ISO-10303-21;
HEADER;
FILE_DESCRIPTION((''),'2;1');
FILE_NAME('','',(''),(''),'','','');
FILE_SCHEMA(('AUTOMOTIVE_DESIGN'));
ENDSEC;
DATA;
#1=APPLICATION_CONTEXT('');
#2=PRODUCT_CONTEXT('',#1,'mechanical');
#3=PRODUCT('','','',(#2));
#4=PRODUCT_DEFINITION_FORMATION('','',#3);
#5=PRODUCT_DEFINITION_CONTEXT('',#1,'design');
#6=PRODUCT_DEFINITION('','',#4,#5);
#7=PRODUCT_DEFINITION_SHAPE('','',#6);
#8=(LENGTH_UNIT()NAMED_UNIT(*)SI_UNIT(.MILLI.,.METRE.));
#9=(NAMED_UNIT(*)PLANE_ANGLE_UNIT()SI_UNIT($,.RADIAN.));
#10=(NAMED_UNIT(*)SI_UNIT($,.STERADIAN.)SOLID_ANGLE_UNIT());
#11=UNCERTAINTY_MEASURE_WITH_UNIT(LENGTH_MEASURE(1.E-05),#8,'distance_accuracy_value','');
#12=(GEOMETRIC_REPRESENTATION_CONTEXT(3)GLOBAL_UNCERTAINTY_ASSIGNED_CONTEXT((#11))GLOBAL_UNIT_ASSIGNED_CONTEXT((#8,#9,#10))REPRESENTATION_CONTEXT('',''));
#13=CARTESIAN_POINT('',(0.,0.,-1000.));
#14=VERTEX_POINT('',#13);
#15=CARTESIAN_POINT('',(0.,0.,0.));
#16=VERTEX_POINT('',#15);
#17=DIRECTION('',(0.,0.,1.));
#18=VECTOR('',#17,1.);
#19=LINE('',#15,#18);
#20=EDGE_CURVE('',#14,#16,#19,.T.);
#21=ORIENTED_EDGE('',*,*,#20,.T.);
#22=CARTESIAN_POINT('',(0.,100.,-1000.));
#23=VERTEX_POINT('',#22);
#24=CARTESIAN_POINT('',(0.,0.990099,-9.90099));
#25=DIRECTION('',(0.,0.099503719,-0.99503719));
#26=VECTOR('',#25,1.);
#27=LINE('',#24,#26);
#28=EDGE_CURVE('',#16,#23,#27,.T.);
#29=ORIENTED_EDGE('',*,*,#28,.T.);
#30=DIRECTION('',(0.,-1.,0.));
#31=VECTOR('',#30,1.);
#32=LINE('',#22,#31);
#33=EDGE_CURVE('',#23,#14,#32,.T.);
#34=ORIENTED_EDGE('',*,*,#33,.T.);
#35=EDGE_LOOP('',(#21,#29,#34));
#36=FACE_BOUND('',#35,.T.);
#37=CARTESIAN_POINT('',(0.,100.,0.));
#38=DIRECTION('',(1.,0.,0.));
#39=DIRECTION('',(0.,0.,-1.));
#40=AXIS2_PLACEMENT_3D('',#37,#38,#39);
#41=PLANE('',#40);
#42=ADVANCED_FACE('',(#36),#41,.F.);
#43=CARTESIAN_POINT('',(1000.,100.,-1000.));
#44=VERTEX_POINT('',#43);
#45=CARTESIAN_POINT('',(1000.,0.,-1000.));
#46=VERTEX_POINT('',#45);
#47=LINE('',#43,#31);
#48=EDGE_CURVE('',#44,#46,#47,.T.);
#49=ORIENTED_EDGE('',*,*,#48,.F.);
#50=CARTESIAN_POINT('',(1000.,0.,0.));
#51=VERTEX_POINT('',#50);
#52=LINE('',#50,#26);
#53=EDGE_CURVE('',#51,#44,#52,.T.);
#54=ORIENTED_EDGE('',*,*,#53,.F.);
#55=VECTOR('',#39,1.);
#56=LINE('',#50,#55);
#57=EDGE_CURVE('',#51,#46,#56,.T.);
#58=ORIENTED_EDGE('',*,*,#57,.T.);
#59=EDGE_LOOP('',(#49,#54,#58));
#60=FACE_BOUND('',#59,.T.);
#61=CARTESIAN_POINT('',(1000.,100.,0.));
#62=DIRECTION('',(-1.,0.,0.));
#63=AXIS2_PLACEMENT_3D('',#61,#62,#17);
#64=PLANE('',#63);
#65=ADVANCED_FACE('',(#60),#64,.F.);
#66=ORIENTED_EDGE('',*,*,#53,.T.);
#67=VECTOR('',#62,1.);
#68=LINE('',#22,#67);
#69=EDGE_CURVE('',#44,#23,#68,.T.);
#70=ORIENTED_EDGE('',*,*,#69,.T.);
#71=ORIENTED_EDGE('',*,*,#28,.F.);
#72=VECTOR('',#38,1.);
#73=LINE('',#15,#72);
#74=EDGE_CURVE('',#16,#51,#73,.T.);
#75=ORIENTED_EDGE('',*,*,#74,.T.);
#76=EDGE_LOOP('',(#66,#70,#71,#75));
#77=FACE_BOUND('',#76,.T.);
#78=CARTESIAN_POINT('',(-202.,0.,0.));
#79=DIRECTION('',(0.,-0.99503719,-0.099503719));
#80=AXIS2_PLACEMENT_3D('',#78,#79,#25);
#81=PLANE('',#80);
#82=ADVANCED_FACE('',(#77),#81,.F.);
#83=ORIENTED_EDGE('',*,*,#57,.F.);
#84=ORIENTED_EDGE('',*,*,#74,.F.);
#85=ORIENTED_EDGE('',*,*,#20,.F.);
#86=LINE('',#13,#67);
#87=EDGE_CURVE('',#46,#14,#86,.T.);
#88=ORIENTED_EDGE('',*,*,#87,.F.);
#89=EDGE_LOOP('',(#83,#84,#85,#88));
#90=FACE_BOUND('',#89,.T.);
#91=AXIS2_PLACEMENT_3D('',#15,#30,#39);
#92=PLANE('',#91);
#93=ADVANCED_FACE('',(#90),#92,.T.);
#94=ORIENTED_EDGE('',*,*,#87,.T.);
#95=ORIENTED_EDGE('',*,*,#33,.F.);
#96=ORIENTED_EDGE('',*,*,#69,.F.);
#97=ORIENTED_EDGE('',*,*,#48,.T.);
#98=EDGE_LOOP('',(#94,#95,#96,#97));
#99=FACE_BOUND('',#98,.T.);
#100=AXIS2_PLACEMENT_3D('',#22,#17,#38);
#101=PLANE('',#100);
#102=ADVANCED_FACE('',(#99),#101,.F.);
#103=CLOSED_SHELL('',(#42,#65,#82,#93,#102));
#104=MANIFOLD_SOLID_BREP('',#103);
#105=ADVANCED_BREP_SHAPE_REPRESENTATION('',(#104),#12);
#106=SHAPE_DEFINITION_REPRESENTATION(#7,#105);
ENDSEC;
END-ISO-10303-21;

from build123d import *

# Parameters (mm, degrees)
SKETCH2_W           = 1000
SKETCH2_H           = 1000
BOSS_EXTRUDE1_DEPTH = 100
CUT_EXTRUDE1_DEPTH  = 1202


with BuildPart() as part:
    # Sketch2 → Boss-Extrude1 (new body)
    with BuildSketch(Plane(origin=(0, 0, 0), x_dir=(1, 0, 0), z_dir=(0, 1, 0))):
        with Locations((500, 500)):
            Rectangle(SKETCH2_W, SKETCH2_H)
    extrude(amount=BOSS_EXTRUDE1_DEPTH)

    # Sketch3 → Cut-Extrude1 (cut)
    with BuildSketch(Plane(origin=(1000, 0, 0), x_dir=(0, 0, -1), z_dir=(1, 0, 0))):
        Polygon((0, 0), (1000, 100), (0, 100), align=None)
    extrude(amount=-CUT_EXTRUDE1_DEPTH, mode=Mode.SUBTRACT)


solid = part.part
